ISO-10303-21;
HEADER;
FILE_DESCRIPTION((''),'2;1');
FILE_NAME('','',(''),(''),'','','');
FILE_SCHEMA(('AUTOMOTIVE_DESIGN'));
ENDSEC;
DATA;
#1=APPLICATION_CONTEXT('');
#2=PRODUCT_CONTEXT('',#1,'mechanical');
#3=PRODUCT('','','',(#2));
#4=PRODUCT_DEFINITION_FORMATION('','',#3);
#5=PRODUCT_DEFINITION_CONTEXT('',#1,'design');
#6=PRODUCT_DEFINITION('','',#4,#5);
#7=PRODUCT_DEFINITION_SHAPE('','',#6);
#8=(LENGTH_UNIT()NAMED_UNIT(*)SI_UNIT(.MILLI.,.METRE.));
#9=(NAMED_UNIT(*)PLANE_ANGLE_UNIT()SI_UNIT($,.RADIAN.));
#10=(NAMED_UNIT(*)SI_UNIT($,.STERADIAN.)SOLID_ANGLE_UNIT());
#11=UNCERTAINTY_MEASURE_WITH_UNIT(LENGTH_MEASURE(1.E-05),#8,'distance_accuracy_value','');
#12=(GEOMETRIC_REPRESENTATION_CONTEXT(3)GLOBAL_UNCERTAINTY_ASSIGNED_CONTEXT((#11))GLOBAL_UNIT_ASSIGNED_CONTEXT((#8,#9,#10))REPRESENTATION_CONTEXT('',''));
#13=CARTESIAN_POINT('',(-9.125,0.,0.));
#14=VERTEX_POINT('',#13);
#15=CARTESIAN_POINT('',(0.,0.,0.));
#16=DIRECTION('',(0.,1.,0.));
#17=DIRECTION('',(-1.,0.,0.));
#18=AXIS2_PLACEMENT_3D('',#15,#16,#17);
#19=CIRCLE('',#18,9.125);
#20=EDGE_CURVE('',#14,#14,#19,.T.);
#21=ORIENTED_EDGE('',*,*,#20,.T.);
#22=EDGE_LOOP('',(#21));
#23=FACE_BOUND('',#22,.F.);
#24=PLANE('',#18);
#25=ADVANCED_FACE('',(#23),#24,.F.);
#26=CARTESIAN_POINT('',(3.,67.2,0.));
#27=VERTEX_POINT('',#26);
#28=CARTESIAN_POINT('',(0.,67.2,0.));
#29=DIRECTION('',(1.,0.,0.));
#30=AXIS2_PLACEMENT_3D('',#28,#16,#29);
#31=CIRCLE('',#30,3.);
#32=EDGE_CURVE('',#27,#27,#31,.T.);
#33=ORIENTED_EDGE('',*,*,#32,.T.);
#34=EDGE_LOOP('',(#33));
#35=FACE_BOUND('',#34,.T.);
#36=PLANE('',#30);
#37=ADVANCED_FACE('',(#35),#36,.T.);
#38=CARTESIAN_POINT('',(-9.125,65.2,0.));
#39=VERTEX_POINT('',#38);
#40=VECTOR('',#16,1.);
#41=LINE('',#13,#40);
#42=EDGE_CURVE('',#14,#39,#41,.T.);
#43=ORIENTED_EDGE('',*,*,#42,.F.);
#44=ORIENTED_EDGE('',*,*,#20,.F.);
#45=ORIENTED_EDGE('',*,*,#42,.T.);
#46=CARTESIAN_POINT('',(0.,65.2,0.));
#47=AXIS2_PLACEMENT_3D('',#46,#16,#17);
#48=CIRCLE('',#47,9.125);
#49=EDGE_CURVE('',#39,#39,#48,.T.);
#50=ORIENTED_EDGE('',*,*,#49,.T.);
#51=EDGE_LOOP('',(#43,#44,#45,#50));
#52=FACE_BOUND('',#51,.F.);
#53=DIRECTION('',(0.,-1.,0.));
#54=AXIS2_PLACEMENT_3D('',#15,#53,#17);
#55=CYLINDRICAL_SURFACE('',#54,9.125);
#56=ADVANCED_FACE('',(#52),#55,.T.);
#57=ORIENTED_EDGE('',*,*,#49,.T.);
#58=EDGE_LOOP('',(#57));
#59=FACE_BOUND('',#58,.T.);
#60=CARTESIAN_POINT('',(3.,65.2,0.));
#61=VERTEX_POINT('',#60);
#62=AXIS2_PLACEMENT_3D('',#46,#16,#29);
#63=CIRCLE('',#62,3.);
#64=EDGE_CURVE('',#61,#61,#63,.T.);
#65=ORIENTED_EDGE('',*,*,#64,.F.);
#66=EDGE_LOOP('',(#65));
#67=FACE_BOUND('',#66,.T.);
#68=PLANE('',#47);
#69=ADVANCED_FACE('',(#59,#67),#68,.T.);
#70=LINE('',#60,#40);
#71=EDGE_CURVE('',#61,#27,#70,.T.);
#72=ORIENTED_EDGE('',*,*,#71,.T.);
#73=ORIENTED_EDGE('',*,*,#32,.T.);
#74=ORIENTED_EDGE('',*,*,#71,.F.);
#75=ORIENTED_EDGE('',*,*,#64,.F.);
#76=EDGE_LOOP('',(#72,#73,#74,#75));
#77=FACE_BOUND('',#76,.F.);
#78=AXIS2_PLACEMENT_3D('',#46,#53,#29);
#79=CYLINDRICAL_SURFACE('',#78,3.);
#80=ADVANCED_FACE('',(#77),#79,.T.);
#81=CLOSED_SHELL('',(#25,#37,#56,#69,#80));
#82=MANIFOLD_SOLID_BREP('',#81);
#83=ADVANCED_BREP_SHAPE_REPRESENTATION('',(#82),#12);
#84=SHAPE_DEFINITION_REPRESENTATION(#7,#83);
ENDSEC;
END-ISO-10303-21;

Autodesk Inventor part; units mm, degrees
ref_plane "YZ Plane" through (0, 0, 0) normal (1, 0, 0) x (0, 1, 0)
ref_plane "XZ Plane" through (0, 0, 0) normal (0, 1, 0) x (-1, 0, 0)
ref_plane "XY Plane" through (0, 0, 0) normal (0, 0, 1) x (1, 0, 0)
sketch "草圖1" plane through (0, 0, 0) normal (0, 1, 0) x (-1, 0, 0)
  circle A0 centre (0, 0) radius 9.125
  dimension "d0" = 18.25
extrude "擠出1" add sketch "草圖1" along normal blind 65.2
sketch "草圖2" plane through (0, 65.2, 0) normal (0, 1, 0) x (1, 0, 0)
  circle A0 centre (0, 0) radius 3
  dimension "d3" = 6
extrude "擠出2" add sketch "草圖2" along normal blind 2
properties part number "18650 budge head"
